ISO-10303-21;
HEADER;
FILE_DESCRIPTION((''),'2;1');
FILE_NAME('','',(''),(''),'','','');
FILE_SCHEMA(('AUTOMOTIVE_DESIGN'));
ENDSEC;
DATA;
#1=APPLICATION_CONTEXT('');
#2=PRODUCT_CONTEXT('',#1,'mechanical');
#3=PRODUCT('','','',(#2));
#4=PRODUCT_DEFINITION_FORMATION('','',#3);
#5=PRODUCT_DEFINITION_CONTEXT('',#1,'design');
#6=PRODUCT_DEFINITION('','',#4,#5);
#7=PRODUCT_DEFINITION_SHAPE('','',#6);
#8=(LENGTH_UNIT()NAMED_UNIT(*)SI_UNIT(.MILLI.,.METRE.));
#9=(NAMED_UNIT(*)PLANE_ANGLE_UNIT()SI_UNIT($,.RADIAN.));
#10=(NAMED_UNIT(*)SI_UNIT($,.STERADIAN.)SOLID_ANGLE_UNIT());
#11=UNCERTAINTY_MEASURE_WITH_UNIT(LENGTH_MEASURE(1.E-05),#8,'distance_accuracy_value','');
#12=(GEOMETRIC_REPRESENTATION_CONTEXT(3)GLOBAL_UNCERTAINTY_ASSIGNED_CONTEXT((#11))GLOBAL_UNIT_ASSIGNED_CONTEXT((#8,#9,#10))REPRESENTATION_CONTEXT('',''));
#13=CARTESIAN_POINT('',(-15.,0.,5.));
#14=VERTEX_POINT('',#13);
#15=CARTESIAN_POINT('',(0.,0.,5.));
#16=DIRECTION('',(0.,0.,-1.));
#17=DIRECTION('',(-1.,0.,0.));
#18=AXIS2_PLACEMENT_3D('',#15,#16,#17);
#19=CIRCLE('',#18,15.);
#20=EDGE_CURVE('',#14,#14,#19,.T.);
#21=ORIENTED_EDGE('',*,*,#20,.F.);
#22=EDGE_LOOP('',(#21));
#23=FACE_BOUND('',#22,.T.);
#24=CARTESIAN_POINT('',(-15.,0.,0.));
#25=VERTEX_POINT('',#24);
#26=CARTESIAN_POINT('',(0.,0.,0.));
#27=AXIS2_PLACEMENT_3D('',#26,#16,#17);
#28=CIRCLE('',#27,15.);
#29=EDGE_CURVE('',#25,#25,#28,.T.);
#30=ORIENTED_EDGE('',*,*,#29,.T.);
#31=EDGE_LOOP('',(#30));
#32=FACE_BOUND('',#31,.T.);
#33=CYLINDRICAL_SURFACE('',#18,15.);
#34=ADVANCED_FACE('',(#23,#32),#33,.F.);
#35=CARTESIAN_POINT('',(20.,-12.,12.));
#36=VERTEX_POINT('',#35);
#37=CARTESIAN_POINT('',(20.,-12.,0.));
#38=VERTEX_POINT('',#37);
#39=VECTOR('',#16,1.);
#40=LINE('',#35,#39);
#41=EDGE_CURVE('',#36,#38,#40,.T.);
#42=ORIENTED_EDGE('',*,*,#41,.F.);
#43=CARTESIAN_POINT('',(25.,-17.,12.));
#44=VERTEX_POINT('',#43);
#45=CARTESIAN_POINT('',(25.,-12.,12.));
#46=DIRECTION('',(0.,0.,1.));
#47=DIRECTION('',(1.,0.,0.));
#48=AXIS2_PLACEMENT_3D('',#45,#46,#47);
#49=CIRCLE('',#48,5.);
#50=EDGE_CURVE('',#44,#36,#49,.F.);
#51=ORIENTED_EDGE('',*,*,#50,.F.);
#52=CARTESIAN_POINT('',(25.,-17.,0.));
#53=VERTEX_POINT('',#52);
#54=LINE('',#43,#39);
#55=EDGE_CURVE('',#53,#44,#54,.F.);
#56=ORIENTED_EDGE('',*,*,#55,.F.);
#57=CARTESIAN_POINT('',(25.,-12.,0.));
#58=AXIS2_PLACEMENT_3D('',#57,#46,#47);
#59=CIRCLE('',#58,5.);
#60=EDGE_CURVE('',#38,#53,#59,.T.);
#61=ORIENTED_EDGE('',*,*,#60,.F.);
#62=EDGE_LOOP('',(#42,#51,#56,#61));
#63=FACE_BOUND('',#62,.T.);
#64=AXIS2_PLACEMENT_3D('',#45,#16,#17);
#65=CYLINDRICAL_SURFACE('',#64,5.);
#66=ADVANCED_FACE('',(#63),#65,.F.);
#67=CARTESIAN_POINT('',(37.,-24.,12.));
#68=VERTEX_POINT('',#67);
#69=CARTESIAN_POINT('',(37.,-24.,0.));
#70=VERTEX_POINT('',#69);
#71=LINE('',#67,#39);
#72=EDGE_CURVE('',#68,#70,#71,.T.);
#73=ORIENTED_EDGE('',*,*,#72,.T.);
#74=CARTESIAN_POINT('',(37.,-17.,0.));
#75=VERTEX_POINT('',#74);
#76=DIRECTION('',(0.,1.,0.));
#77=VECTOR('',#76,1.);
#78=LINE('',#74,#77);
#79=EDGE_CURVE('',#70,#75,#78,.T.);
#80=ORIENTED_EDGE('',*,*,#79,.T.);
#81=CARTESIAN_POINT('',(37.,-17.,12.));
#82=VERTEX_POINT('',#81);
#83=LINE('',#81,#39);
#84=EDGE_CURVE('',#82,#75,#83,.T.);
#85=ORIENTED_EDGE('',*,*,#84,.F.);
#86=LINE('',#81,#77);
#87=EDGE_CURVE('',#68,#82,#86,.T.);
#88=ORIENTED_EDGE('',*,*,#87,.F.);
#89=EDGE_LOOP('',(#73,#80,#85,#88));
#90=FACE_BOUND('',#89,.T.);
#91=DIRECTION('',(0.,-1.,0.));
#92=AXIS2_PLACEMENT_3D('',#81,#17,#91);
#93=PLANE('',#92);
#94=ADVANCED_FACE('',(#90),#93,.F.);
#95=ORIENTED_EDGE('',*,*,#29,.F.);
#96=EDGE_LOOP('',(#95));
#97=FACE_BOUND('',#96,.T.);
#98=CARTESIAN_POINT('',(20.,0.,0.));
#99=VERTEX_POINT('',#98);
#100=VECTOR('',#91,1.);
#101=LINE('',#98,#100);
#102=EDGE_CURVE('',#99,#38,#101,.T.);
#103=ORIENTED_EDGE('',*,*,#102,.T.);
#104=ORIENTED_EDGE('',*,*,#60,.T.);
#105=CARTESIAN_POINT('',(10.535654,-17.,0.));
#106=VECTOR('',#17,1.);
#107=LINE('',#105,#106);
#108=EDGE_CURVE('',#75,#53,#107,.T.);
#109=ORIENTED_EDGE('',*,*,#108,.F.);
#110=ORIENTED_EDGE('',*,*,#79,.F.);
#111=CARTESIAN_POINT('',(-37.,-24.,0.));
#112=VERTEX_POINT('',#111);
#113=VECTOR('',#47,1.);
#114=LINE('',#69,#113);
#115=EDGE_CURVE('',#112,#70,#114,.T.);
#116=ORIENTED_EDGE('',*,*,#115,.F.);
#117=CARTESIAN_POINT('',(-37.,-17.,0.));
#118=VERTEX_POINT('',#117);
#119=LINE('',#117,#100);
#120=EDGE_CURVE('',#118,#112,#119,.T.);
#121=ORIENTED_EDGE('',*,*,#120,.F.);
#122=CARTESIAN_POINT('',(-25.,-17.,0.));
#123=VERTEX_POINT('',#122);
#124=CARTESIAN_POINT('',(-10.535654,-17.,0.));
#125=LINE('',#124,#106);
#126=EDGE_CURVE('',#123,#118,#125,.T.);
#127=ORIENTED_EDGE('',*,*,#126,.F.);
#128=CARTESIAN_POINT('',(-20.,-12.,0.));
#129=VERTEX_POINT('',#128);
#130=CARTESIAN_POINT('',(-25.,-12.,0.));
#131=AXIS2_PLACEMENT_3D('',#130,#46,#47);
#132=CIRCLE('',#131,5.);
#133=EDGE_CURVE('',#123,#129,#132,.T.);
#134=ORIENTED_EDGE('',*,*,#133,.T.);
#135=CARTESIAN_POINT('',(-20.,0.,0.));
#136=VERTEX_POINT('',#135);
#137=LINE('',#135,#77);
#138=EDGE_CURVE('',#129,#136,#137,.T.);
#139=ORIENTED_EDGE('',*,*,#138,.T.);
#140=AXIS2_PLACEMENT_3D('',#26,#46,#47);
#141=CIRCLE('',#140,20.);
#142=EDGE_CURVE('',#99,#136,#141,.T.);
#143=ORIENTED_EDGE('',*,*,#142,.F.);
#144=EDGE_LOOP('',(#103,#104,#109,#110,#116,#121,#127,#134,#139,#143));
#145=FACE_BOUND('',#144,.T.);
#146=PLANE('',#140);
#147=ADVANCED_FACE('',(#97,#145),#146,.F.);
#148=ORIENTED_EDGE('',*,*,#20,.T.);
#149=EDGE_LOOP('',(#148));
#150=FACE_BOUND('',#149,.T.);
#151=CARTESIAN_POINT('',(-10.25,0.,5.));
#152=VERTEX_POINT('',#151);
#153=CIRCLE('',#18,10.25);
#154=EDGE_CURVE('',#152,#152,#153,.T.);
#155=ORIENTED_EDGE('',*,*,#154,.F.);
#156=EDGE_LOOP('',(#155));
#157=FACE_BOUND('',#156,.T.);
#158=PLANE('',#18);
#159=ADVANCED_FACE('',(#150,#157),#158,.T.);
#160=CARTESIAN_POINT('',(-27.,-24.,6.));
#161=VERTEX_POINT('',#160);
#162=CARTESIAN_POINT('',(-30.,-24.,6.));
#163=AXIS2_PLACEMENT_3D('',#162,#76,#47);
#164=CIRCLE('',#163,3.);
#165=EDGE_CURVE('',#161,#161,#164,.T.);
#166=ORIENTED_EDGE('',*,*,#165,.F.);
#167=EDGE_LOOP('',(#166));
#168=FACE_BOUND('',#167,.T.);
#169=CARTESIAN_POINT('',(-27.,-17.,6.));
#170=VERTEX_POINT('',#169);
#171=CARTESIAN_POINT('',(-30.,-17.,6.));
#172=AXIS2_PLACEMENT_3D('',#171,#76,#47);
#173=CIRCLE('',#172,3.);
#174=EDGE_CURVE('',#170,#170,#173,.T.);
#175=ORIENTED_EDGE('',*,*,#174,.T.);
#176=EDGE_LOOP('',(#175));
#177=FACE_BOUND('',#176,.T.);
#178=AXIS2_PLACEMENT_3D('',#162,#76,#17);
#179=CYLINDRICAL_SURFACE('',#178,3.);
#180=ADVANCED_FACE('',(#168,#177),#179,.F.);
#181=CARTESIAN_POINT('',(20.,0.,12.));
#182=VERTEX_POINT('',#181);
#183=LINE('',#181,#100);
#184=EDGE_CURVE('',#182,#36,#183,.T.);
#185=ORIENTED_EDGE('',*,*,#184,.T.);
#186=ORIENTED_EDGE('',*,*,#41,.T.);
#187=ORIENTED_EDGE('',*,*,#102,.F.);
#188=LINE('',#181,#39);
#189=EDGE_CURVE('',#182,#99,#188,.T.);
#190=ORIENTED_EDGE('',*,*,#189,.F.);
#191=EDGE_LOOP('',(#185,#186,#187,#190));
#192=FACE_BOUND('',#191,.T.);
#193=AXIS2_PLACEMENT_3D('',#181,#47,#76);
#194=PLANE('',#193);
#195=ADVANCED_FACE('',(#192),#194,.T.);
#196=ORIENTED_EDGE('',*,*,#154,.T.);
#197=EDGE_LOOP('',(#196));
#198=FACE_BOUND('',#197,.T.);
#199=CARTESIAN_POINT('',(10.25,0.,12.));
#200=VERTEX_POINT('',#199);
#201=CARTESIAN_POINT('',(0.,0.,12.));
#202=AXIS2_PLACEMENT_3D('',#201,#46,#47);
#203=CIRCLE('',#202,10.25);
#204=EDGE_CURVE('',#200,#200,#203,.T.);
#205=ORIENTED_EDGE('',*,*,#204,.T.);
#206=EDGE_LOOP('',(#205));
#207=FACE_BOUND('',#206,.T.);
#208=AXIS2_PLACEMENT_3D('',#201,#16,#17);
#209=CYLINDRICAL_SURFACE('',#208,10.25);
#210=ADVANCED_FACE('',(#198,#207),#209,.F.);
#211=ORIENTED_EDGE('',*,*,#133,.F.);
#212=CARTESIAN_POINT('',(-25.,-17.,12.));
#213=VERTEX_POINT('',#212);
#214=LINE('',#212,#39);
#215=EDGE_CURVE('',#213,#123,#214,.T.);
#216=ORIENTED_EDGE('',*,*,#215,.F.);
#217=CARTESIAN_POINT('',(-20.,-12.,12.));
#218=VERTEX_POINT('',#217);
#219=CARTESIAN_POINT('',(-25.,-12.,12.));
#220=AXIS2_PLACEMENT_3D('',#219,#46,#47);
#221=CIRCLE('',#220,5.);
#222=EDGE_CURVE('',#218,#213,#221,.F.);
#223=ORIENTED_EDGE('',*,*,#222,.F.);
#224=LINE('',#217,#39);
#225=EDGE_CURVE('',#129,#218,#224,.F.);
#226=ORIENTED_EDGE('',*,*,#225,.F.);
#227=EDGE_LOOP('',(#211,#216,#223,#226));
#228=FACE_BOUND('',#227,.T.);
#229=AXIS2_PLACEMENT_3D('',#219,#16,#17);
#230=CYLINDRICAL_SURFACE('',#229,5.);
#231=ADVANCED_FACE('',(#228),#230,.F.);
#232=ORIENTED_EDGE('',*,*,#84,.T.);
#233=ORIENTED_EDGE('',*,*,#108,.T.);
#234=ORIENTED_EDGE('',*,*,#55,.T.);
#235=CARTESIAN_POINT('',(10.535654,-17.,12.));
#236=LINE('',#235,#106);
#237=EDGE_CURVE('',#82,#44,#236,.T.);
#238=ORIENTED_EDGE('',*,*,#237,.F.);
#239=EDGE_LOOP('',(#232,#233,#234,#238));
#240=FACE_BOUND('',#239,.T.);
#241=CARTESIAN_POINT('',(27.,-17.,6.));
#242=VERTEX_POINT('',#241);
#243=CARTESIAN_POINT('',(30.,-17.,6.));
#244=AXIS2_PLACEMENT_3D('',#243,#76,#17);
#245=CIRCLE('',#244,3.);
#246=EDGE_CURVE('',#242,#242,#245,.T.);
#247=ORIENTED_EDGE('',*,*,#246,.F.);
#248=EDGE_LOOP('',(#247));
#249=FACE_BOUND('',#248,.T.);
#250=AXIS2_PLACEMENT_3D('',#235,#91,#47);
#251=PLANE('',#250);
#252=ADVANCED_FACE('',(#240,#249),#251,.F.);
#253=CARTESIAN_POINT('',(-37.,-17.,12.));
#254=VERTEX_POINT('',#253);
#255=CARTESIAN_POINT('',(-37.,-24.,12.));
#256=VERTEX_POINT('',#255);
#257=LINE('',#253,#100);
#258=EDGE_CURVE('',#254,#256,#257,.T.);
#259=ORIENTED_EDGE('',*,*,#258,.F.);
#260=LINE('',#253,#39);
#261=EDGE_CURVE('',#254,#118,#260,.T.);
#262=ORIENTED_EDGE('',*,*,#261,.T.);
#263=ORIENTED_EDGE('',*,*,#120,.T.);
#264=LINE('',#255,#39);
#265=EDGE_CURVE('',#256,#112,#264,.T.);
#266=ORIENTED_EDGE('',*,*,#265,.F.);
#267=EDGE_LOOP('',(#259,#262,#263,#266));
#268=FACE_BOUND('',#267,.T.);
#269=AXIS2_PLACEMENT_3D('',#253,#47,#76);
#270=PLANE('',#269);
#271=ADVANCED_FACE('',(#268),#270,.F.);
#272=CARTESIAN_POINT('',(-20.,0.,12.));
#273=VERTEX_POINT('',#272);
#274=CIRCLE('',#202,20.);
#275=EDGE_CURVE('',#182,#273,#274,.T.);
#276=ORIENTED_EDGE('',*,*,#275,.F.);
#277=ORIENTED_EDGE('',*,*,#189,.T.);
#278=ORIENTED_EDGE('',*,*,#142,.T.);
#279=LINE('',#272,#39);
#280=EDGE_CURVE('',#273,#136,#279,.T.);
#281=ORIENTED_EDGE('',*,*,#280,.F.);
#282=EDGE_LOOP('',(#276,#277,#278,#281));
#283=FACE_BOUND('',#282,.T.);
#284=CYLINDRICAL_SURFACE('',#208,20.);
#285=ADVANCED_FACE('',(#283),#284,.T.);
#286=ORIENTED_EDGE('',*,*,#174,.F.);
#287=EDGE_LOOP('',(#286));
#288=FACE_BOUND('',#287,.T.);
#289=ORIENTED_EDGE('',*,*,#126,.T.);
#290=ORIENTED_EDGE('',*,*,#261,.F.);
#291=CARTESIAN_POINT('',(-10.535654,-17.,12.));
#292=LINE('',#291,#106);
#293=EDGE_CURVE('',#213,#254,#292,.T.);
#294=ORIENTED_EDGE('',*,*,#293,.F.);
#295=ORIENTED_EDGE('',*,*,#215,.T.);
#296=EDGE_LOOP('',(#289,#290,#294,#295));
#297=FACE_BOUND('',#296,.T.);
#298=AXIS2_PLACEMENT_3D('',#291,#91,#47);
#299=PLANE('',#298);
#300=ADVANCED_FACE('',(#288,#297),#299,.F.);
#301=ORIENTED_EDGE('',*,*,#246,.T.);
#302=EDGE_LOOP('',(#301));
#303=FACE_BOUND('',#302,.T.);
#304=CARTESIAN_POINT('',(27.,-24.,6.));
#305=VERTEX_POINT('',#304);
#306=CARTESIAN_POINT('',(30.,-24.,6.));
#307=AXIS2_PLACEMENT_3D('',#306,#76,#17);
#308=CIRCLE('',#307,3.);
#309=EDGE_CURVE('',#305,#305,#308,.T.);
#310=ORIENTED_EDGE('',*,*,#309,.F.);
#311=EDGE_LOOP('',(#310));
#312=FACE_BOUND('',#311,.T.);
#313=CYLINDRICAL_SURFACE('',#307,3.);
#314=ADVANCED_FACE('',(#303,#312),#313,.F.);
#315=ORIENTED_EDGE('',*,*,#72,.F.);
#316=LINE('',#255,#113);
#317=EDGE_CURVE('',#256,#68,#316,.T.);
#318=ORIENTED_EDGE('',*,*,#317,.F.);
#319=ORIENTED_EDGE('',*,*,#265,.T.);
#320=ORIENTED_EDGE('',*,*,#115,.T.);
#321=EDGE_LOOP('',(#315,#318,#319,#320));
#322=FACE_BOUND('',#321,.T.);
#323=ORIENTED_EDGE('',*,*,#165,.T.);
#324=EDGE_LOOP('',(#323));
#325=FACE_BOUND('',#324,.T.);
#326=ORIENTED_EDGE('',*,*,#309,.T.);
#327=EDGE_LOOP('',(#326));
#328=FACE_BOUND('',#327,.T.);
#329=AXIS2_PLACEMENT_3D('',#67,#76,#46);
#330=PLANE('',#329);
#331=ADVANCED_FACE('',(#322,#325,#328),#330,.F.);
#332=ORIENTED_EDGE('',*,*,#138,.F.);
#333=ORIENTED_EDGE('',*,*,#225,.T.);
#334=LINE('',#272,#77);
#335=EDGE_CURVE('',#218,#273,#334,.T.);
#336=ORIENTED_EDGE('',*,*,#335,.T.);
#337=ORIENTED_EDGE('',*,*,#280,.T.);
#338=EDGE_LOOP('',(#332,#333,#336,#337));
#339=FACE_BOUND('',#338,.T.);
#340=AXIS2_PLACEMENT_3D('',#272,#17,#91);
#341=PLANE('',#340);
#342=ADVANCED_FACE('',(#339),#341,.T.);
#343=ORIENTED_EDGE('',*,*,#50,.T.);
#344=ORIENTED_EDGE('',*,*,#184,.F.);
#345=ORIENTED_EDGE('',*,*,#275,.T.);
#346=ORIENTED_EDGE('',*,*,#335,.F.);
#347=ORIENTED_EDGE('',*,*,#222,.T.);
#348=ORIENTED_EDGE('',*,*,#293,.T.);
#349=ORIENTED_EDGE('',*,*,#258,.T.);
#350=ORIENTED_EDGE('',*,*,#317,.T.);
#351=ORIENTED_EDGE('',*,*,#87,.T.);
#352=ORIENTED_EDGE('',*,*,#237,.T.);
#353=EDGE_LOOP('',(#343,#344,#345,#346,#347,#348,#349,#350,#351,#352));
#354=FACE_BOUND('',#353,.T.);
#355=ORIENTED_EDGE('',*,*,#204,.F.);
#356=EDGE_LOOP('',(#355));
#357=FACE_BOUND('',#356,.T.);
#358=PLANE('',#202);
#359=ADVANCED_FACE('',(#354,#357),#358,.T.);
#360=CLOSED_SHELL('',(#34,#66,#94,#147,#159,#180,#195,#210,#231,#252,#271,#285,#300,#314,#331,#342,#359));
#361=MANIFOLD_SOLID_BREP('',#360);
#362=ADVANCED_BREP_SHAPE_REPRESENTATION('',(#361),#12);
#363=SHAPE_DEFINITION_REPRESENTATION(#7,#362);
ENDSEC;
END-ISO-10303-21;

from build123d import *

# Parameters (mm, degrees)
SKETCH1_R           = 10.25
BOSS_EXTRUDE1_DEPTH = 12
SKETCH2_R           = 3
CUT_EXTRUDE1_DEPTH  = 8
SKETCH3_R           = 15
CUT_EXTRUDE2_DEPTH  = 5
BOSS_EXTRUDE2_DEPTH = 12
FILLET2_R           = 5


with BuildPart() as part:
    # Sketch1 → Boss-Extrude1 (new body)
    with BuildSketch(Plane.XY):
        with BuildLine():
            Line((-10.535653753, -17), (-37, -17))
            Line((-37, -17), (-37, -24))
            Line((-37, -24), (0, -24))
            Line((0, -24), (37, -24))
            Line((37, -24), (37, -17))
            Line((37, -17), (10.535653753, -17))
            ThreePointArc((10.535653753, -17), (0, 20), (-10.535653753, -17))
        make_face()
        Circle(SKETCH1_R, mode=Mode.SUBTRACT)
    extrude(amount=BOSS_EXTRUDE1_DEPTH)

    # Sketch2 → Cut-Extrude1 (cut, through all)
    with BuildSketch(Plane(origin=(0, -17, 0), x_dir=(1, 0, 0), z_dir=(0, 1, 0))):
        with Locations((30, -6)):
            Circle(SKETCH2_R)
        with Locations((-30, -6)):
            Circle(SKETCH2_R)
    extrude(amount=-CUT_EXTRUDE1_DEPTH, mode=Mode.SUBTRACT)

    # Sketch3 → Cut-Extrude2 (cut)
    with BuildSketch(Plane(origin=(0, 0, 0), x_dir=(-1, 0, 0), z_dir=(0, 0, -1))):
        Circle(SKETCH3_R)
    extrude(amount=-CUT_EXTRUDE2_DEPTH, mode=Mode.SUBTRACT)

    # Sketch4 → Boss-Extrude2 (add, through all)
    with BuildSketch(Plane(origin=(0, 0, 0), x_dir=(-1, 0, 0), z_dir=(0, 0, -1))):
        Polygon((-20, 0), (-10.535653753, -17), (-20, -17), align=None)
        Polygon((20, 0), (20, -17), (10.535653753, -17), align=None)
    extrude(amount=-BOSS_EXTRUDE2_DEPTH)

    # Fillet2
    fillet2_edges = [part.edges().sort_by_distance(p)[0] for p in [
        (-20, -17, 6),
        (20, -17, 6),
    ]]
    fillet(fillet2_edges, radius=FILLET2_R)


solid = part.part
